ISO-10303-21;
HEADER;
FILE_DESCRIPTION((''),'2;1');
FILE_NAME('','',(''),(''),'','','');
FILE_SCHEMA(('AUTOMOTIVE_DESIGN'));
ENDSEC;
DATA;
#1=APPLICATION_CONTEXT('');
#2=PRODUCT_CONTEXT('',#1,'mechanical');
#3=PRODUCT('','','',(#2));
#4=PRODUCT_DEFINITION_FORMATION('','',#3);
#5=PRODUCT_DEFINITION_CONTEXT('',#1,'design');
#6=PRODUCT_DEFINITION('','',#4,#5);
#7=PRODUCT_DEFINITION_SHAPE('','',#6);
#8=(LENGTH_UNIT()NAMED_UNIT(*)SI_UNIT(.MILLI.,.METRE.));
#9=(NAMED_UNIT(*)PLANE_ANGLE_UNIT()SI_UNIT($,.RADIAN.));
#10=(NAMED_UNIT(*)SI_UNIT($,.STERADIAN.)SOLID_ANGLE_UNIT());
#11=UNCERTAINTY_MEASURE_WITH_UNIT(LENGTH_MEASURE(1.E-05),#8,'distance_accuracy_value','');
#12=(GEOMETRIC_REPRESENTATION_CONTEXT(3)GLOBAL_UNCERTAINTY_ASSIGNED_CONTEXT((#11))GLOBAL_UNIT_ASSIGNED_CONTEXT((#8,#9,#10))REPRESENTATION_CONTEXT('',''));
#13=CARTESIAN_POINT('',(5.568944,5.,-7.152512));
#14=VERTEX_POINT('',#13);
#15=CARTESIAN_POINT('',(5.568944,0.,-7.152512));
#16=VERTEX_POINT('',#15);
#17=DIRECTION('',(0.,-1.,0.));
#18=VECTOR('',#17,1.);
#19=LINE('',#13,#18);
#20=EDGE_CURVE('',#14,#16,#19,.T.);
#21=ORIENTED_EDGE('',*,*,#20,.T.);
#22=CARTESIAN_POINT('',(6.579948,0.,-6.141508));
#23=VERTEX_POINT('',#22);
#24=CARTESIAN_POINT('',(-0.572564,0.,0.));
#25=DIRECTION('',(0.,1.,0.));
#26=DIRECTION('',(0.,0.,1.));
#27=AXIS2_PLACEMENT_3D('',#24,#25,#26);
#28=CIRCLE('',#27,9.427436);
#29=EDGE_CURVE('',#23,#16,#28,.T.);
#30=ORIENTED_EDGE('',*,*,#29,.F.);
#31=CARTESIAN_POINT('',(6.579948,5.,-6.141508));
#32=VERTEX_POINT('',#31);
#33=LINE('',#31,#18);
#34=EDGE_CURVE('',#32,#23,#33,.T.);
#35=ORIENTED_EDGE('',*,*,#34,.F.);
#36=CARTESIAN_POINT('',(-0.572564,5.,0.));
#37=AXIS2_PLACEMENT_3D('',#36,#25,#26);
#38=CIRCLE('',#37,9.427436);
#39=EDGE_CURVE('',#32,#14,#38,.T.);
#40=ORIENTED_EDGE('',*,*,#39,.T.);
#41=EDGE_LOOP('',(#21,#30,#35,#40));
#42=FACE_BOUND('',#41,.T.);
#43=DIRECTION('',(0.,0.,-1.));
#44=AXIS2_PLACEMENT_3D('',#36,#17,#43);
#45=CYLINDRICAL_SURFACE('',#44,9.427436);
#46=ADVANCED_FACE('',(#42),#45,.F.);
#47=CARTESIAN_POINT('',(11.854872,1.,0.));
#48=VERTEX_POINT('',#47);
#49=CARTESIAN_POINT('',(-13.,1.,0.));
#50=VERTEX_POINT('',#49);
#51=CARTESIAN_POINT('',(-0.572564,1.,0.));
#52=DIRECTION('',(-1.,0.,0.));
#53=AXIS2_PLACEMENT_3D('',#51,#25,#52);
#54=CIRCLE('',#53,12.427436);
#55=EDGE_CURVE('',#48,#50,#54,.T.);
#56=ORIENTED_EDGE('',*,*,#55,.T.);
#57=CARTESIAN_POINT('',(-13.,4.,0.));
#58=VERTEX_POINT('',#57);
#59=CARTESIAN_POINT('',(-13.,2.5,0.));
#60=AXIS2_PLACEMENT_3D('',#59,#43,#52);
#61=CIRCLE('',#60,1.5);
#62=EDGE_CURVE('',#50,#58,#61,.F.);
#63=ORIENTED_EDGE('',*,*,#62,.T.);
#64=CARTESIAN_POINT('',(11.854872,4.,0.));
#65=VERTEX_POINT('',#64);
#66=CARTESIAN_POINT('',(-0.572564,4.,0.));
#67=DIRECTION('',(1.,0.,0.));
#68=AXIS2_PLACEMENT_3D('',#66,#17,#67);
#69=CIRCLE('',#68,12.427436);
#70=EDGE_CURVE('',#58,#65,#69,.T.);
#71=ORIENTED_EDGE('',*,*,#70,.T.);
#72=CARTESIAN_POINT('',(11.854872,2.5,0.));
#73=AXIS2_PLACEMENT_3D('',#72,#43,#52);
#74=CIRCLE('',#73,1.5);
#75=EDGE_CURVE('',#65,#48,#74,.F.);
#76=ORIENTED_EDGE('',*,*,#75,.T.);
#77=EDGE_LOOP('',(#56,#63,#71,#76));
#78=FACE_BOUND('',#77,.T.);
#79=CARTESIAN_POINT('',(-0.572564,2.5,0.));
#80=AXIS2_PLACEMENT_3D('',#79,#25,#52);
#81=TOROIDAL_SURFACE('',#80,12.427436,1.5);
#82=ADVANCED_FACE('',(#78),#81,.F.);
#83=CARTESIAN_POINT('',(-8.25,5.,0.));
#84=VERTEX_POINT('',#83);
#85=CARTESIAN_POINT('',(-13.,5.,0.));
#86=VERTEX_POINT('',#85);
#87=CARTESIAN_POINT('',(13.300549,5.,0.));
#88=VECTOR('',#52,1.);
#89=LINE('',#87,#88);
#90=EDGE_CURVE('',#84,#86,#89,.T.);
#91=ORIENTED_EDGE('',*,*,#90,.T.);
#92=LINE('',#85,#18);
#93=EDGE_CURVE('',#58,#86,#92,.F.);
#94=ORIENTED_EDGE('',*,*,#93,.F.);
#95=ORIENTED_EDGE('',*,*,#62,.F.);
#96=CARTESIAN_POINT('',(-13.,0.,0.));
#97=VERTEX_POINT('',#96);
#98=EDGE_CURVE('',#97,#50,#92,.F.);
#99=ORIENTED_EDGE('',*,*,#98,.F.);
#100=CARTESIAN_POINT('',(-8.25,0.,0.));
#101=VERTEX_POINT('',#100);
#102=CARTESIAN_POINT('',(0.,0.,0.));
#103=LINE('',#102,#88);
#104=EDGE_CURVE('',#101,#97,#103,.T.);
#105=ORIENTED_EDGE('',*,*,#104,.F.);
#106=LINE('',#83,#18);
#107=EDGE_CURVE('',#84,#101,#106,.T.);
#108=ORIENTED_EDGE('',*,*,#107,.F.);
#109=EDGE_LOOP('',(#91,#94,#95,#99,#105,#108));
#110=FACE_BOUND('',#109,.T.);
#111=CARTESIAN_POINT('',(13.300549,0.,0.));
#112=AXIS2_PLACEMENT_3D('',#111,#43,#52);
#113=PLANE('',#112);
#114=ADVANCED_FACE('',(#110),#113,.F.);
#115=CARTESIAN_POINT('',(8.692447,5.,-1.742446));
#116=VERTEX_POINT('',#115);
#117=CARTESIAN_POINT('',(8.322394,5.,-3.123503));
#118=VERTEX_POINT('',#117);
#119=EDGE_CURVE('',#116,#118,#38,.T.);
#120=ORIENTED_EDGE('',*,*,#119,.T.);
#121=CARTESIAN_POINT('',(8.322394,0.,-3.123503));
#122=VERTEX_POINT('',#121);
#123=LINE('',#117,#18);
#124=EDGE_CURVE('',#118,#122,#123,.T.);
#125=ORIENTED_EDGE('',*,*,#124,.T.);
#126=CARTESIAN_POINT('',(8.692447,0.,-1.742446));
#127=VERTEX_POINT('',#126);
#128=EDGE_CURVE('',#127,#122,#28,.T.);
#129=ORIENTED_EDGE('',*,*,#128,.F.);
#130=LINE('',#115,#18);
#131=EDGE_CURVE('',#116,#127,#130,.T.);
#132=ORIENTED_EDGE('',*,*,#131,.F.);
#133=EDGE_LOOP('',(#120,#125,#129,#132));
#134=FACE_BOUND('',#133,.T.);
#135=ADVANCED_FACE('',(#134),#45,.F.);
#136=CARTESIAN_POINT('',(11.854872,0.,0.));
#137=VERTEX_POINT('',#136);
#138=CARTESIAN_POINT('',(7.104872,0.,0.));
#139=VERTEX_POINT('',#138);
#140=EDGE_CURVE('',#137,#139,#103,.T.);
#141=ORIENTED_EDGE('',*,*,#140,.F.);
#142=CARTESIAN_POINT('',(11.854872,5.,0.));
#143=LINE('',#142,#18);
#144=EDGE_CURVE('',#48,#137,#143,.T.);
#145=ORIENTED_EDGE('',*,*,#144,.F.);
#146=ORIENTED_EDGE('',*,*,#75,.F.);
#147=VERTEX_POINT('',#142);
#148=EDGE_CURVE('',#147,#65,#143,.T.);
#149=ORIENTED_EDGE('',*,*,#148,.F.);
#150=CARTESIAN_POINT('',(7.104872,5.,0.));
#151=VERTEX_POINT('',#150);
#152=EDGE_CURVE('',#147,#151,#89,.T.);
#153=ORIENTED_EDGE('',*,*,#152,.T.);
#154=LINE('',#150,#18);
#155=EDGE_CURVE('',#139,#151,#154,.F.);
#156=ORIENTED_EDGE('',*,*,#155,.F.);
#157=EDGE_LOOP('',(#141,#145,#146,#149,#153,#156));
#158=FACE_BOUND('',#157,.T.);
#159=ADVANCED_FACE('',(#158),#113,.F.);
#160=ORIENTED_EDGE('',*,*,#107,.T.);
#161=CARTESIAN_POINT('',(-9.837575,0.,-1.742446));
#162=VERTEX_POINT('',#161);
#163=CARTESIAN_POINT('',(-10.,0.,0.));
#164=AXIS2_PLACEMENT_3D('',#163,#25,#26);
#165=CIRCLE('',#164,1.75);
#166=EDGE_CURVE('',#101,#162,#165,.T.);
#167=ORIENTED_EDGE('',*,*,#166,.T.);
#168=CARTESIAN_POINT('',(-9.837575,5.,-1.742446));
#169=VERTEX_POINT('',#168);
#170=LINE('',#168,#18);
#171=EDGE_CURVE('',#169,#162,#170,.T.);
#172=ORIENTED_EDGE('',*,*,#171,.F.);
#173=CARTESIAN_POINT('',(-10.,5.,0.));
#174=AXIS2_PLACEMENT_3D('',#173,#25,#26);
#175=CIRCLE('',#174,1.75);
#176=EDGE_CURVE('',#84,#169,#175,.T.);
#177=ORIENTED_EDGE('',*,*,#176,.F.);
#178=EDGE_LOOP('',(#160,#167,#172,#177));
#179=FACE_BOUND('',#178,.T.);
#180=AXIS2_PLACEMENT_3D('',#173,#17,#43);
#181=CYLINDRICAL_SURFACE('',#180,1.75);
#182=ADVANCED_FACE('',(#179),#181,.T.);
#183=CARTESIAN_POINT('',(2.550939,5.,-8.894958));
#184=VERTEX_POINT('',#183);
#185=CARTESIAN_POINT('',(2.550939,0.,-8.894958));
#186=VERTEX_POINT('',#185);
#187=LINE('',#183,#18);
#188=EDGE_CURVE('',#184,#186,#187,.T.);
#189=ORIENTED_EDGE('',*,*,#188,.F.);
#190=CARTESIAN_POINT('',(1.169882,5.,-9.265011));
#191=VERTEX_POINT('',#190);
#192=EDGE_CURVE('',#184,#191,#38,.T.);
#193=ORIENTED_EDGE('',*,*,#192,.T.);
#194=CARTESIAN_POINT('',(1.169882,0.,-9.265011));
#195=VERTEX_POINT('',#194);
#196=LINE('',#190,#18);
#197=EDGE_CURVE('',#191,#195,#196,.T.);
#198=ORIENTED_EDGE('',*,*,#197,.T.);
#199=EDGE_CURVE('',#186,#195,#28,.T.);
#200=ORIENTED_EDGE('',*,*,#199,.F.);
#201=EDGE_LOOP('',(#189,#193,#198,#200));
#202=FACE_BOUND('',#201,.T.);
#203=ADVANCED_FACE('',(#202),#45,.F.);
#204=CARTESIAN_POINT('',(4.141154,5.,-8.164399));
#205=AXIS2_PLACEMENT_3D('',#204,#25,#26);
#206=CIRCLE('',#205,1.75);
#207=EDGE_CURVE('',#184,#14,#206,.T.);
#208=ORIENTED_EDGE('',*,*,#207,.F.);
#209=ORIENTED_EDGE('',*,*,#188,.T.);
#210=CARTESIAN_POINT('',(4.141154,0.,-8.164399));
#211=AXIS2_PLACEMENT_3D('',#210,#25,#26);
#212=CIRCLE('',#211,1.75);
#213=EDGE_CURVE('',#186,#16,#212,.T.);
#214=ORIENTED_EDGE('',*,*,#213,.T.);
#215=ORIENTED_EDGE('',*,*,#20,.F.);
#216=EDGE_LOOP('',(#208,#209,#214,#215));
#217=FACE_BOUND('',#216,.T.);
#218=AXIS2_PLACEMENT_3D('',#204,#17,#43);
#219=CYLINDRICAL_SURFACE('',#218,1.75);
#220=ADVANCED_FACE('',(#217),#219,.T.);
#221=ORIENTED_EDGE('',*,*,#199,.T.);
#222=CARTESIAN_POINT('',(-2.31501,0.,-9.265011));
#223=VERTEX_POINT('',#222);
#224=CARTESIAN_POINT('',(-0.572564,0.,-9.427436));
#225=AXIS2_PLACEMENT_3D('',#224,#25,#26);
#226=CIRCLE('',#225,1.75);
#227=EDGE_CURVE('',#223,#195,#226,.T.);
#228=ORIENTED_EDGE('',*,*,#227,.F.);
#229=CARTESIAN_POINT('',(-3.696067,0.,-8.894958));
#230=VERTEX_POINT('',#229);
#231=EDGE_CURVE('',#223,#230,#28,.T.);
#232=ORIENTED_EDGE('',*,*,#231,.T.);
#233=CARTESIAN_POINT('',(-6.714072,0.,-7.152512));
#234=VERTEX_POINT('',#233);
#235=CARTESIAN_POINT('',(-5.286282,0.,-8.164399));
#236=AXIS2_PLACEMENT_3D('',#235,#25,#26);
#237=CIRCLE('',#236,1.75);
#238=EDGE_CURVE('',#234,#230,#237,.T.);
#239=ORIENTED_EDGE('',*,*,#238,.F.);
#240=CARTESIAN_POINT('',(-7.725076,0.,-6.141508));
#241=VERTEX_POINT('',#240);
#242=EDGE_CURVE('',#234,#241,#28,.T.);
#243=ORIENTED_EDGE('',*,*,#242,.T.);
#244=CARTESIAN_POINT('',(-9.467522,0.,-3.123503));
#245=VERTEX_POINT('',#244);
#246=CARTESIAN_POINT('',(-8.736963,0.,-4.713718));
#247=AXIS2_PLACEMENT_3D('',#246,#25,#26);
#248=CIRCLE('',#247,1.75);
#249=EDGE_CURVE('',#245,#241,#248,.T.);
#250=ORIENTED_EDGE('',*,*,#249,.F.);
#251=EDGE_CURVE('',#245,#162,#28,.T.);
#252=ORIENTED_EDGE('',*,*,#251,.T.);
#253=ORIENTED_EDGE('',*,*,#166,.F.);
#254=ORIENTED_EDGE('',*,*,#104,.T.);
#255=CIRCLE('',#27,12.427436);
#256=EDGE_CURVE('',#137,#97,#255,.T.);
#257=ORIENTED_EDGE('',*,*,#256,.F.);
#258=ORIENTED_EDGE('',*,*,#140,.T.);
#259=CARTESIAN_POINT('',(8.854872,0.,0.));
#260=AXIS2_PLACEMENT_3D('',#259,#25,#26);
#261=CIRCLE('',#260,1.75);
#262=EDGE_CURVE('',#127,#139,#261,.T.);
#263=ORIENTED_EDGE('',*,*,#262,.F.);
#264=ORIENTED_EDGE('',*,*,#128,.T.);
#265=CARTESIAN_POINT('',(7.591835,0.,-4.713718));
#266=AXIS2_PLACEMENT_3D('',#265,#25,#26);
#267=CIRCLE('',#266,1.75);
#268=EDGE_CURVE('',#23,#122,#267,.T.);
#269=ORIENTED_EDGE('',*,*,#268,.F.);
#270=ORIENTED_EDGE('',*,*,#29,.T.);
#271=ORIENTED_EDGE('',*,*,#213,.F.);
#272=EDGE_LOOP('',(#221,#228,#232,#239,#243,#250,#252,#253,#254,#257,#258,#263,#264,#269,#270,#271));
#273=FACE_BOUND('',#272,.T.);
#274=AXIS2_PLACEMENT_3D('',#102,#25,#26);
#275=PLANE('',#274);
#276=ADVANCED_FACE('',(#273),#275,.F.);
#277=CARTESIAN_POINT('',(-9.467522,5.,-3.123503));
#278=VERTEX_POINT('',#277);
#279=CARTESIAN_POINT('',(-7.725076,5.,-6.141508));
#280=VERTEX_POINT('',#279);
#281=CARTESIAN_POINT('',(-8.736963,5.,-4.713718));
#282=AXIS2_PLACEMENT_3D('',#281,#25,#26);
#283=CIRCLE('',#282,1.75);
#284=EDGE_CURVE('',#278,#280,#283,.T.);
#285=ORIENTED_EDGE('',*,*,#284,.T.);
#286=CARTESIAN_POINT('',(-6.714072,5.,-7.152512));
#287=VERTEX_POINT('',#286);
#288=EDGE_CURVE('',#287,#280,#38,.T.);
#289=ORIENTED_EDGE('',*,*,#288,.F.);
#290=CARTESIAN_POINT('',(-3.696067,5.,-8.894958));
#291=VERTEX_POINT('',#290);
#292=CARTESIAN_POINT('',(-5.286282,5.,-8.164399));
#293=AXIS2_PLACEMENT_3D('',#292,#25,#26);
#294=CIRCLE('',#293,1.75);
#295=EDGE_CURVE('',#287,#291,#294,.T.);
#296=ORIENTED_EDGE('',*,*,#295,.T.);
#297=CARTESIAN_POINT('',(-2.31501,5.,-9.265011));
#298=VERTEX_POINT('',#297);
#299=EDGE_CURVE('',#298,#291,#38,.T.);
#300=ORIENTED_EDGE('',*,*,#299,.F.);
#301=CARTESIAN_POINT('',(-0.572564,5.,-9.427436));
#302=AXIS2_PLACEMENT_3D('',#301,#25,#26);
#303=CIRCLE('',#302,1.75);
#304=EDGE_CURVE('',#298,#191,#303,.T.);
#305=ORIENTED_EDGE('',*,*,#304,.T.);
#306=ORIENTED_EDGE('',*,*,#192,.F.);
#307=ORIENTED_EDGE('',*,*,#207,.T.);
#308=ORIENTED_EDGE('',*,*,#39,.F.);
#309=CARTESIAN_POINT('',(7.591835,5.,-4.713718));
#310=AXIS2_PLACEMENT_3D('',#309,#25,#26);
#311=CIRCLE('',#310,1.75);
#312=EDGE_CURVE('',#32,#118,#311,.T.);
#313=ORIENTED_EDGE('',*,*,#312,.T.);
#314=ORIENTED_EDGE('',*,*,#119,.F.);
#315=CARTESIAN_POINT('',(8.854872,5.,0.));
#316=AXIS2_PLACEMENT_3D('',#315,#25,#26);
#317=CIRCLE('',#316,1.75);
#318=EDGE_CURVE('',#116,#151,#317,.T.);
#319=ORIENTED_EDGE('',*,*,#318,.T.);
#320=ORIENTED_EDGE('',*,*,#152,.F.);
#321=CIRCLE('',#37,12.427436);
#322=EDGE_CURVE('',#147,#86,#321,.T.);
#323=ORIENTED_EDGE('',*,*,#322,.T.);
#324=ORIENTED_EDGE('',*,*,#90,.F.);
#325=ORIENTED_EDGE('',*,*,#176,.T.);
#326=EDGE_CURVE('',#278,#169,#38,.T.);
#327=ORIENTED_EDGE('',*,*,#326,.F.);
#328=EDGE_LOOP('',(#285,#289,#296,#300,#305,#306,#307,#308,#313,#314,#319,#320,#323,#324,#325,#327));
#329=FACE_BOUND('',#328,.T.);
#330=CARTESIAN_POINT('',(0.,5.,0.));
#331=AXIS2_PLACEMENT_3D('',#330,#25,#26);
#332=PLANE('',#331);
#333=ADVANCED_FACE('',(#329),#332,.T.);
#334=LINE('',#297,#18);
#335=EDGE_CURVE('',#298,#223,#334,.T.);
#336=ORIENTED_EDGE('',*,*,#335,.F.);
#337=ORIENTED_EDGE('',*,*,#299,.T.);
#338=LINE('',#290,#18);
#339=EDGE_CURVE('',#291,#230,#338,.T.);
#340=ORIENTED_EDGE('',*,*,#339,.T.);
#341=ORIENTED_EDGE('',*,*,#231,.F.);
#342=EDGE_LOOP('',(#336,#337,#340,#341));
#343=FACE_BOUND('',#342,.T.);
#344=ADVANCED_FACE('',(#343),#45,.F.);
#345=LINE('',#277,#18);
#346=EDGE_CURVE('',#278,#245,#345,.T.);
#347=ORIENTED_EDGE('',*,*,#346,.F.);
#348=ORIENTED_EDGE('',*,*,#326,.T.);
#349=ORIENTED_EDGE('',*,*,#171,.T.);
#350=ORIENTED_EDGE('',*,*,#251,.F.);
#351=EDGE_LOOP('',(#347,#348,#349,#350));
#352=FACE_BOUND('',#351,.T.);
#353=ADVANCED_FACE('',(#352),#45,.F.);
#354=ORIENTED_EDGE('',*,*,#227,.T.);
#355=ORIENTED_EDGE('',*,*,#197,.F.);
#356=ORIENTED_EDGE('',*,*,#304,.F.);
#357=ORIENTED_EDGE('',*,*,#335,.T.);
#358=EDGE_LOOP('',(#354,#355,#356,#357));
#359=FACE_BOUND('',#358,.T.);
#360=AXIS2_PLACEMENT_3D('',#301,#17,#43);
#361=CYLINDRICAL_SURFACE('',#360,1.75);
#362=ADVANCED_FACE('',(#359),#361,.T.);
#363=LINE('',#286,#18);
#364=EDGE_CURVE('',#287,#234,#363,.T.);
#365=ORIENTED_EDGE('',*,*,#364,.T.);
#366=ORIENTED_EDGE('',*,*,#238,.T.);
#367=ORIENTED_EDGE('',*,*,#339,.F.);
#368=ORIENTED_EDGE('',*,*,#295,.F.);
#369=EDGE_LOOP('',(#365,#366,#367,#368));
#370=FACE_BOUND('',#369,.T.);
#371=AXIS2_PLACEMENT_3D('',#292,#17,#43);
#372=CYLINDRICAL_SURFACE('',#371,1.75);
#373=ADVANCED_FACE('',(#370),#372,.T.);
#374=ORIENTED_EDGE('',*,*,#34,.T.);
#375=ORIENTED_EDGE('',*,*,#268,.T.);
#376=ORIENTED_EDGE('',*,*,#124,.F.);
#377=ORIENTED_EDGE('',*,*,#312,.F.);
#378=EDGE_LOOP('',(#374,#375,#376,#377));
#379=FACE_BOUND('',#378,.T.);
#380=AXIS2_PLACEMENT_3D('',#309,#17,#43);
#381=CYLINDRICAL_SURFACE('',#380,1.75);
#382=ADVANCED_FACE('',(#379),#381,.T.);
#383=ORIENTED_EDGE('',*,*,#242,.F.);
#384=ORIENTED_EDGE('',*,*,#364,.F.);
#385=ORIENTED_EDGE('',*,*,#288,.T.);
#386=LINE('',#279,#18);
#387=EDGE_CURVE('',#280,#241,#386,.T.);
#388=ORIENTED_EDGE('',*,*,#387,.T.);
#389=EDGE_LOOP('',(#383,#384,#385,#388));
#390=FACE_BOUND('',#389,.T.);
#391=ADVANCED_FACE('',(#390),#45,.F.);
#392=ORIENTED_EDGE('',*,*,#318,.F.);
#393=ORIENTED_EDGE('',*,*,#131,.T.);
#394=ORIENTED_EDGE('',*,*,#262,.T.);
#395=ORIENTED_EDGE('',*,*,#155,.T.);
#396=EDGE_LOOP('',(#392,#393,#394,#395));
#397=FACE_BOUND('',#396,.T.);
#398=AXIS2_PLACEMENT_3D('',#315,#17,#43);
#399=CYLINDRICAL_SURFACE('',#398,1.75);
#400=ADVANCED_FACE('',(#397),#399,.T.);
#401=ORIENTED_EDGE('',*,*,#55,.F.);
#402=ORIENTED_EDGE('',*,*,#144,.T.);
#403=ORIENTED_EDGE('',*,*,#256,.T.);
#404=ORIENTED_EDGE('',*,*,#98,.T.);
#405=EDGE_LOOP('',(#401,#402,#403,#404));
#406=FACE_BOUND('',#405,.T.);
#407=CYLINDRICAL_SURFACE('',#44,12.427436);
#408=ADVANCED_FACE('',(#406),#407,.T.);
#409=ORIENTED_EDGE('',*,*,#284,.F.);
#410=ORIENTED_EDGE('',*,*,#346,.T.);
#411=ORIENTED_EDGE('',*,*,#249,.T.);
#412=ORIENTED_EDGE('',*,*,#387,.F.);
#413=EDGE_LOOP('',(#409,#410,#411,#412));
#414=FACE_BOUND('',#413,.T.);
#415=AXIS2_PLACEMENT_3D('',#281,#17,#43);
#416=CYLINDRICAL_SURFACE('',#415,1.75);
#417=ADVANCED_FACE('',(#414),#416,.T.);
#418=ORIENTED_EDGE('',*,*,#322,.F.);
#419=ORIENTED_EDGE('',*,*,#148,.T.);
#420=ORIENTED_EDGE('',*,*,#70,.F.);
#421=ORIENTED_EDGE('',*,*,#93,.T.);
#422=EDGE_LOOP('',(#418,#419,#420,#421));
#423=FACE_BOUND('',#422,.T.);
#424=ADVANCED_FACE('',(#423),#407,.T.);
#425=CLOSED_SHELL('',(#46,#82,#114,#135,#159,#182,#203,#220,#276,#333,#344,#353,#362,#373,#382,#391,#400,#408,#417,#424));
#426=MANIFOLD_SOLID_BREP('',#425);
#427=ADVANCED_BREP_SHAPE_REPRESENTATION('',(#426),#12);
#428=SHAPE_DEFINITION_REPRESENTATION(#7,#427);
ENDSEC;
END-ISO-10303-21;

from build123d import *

# Parameters (mm, degrees)
SKETCH1_R           = 12.427436065
BOSS_EXTRUDE1_DEPTH = 5
CUT_EXTRUDE1_DEPTH  = 6
SKETCH8_R           = 1.5


with BuildPart() as part:
    # Sketch1 → Boss-Extrude1 (new body)
    with BuildSketch(Plane(origin=(0, 0, 0), x_dir=(1, 0, 0), z_dir=(0, 1, 0))):
        with Locations((-0.572563935, 0)):
            Circle(SKETCH1_R)
        with BuildLine():
            ThreePointArc((-9.837575138, 1.742446029), (-9.678767906, 2.44), (-9.467522018, 3.123503075))
            ThreePointArc((-9.467522018, 3.123503075), (-7.221418603, 3.838718032), (-7.725075989, 6.141508127))
            ThreePointArc((-7.725075989, 6.141508127), (-7.238767906, 6.66620397), (-6.714072063, 7.152512053))
            ThreePointArc((-6.714072063, 7.152512053), (-4.411281968, 6.648854668), (-3.696067011, 8.894958082))
            ThreePointArc((-3.696067011, 8.894958082), (-3.012563935, 9.10620397), (-2.315009965, 9.265011203))
            ThreePointArc((-2.315009965, 9.265011203), (-0.572563935, 7.677436065), (1.169882094, 9.265011203))
            ThreePointArc((1.169882094, 9.265011203), (1.867436065, 9.10620397), (2.55093914, 8.894958082))
            ThreePointArc((2.55093914, 8.894958082), (3.266154097, 6.648854668), (5.568944192, 7.152512053))
            ThreePointArc((5.568944192, 7.152512053), (6.093640035, 6.66620397), (6.579948118, 6.141508127))
            ThreePointArc((6.579948118, 6.141508127), (6.076290732, 3.838718032), (8.322394147, 3.123503075))
            ThreePointArc((8.322394147, 3.123503075), (8.533640035, 2.44), (8.692447267, 1.742446029))
            ThreePointArc((8.692447267, 1.742446029), (7.104872129, 0), (8.692447267, -1.742446029))
            ThreePointArc((8.692447267, -1.742446029), (8.533640035, -2.44), (8.322394147, -3.123503075))
            ThreePointArc((8.322394147, -3.123503075), (6.076290732, -3.838718032), (6.579948118, -6.141508127))
            ThreePointArc((6.579948118, -6.141508127), (6.093640035, -6.66620397), (5.568944192, -7.152512053))
            ThreePointArc((5.568944192, -7.152512053), (3.266154097, -6.648854668), (2.55093914, -8.894958082))
            ThreePointArc((2.55093914, -8.894958082), (1.867436065, -9.10620397), (1.169882094, -9.265011203))
            ThreePointArc((1.169882094, -9.265011203), (-0.572563935, -7.677436065), (-2.315009965, -9.265011203))
            ThreePointArc((-2.315009965, -9.265011203), (-3.012563935, -9.10620397), (-3.696067011, -8.894958082))
            ThreePointArc((-3.696067011, -8.894958082), (-4.411281968, -6.648854668), (-6.714072063, -7.152512053))
            ThreePointArc((-6.714072063, -7.152512053), (-7.238767906, -6.66620397), (-7.725075989, -6.141508127))
            ThreePointArc((-7.725075989, -6.141508127), (-7.221418603, -3.838718032), (-9.467522018, -3.123503075))
            ThreePointArc((-9.467522018, -3.123503075), (-9.678767906, -2.44), (-9.837575138, -1.742446029))
            ThreePointArc((-9.837575138, -1.742446029), (-8.25, 0), (-9.837575138, 1.742446029))
        make_face(mode=Mode.SUBTRACT)
    extrude(amount=BOSS_EXTRUDE1_DEPTH)

    # Sketch7 → Cut-Extrude1 (cut, through all)
    with BuildSketch(Plane(origin=(0, 5, 0), x_dir=(1, 0, 0), z_dir=(0, 1, 0))):
        Polygon((13.300548716, 0), (-14.205268785, 0), (-13.392288958, -15.44944458), (9.438894535, -14.771961391), align=None)
    extrude(amount=-CUT_EXTRUDE1_DEPTH, mode=Mode.SUBTRACT)

    # Sketch8 → Cut-Revolve2 (revolve, cut)
    with BuildSketch(Plane.XY):
        with Locations((11.854872129, 2.5)):
            Circle(SKETCH8_R)
    revolve(axis=Axis((-0.572563935, 5, 0), (0, -1, 0)), mode=Mode.SUBTRACT)


solid = part.part
